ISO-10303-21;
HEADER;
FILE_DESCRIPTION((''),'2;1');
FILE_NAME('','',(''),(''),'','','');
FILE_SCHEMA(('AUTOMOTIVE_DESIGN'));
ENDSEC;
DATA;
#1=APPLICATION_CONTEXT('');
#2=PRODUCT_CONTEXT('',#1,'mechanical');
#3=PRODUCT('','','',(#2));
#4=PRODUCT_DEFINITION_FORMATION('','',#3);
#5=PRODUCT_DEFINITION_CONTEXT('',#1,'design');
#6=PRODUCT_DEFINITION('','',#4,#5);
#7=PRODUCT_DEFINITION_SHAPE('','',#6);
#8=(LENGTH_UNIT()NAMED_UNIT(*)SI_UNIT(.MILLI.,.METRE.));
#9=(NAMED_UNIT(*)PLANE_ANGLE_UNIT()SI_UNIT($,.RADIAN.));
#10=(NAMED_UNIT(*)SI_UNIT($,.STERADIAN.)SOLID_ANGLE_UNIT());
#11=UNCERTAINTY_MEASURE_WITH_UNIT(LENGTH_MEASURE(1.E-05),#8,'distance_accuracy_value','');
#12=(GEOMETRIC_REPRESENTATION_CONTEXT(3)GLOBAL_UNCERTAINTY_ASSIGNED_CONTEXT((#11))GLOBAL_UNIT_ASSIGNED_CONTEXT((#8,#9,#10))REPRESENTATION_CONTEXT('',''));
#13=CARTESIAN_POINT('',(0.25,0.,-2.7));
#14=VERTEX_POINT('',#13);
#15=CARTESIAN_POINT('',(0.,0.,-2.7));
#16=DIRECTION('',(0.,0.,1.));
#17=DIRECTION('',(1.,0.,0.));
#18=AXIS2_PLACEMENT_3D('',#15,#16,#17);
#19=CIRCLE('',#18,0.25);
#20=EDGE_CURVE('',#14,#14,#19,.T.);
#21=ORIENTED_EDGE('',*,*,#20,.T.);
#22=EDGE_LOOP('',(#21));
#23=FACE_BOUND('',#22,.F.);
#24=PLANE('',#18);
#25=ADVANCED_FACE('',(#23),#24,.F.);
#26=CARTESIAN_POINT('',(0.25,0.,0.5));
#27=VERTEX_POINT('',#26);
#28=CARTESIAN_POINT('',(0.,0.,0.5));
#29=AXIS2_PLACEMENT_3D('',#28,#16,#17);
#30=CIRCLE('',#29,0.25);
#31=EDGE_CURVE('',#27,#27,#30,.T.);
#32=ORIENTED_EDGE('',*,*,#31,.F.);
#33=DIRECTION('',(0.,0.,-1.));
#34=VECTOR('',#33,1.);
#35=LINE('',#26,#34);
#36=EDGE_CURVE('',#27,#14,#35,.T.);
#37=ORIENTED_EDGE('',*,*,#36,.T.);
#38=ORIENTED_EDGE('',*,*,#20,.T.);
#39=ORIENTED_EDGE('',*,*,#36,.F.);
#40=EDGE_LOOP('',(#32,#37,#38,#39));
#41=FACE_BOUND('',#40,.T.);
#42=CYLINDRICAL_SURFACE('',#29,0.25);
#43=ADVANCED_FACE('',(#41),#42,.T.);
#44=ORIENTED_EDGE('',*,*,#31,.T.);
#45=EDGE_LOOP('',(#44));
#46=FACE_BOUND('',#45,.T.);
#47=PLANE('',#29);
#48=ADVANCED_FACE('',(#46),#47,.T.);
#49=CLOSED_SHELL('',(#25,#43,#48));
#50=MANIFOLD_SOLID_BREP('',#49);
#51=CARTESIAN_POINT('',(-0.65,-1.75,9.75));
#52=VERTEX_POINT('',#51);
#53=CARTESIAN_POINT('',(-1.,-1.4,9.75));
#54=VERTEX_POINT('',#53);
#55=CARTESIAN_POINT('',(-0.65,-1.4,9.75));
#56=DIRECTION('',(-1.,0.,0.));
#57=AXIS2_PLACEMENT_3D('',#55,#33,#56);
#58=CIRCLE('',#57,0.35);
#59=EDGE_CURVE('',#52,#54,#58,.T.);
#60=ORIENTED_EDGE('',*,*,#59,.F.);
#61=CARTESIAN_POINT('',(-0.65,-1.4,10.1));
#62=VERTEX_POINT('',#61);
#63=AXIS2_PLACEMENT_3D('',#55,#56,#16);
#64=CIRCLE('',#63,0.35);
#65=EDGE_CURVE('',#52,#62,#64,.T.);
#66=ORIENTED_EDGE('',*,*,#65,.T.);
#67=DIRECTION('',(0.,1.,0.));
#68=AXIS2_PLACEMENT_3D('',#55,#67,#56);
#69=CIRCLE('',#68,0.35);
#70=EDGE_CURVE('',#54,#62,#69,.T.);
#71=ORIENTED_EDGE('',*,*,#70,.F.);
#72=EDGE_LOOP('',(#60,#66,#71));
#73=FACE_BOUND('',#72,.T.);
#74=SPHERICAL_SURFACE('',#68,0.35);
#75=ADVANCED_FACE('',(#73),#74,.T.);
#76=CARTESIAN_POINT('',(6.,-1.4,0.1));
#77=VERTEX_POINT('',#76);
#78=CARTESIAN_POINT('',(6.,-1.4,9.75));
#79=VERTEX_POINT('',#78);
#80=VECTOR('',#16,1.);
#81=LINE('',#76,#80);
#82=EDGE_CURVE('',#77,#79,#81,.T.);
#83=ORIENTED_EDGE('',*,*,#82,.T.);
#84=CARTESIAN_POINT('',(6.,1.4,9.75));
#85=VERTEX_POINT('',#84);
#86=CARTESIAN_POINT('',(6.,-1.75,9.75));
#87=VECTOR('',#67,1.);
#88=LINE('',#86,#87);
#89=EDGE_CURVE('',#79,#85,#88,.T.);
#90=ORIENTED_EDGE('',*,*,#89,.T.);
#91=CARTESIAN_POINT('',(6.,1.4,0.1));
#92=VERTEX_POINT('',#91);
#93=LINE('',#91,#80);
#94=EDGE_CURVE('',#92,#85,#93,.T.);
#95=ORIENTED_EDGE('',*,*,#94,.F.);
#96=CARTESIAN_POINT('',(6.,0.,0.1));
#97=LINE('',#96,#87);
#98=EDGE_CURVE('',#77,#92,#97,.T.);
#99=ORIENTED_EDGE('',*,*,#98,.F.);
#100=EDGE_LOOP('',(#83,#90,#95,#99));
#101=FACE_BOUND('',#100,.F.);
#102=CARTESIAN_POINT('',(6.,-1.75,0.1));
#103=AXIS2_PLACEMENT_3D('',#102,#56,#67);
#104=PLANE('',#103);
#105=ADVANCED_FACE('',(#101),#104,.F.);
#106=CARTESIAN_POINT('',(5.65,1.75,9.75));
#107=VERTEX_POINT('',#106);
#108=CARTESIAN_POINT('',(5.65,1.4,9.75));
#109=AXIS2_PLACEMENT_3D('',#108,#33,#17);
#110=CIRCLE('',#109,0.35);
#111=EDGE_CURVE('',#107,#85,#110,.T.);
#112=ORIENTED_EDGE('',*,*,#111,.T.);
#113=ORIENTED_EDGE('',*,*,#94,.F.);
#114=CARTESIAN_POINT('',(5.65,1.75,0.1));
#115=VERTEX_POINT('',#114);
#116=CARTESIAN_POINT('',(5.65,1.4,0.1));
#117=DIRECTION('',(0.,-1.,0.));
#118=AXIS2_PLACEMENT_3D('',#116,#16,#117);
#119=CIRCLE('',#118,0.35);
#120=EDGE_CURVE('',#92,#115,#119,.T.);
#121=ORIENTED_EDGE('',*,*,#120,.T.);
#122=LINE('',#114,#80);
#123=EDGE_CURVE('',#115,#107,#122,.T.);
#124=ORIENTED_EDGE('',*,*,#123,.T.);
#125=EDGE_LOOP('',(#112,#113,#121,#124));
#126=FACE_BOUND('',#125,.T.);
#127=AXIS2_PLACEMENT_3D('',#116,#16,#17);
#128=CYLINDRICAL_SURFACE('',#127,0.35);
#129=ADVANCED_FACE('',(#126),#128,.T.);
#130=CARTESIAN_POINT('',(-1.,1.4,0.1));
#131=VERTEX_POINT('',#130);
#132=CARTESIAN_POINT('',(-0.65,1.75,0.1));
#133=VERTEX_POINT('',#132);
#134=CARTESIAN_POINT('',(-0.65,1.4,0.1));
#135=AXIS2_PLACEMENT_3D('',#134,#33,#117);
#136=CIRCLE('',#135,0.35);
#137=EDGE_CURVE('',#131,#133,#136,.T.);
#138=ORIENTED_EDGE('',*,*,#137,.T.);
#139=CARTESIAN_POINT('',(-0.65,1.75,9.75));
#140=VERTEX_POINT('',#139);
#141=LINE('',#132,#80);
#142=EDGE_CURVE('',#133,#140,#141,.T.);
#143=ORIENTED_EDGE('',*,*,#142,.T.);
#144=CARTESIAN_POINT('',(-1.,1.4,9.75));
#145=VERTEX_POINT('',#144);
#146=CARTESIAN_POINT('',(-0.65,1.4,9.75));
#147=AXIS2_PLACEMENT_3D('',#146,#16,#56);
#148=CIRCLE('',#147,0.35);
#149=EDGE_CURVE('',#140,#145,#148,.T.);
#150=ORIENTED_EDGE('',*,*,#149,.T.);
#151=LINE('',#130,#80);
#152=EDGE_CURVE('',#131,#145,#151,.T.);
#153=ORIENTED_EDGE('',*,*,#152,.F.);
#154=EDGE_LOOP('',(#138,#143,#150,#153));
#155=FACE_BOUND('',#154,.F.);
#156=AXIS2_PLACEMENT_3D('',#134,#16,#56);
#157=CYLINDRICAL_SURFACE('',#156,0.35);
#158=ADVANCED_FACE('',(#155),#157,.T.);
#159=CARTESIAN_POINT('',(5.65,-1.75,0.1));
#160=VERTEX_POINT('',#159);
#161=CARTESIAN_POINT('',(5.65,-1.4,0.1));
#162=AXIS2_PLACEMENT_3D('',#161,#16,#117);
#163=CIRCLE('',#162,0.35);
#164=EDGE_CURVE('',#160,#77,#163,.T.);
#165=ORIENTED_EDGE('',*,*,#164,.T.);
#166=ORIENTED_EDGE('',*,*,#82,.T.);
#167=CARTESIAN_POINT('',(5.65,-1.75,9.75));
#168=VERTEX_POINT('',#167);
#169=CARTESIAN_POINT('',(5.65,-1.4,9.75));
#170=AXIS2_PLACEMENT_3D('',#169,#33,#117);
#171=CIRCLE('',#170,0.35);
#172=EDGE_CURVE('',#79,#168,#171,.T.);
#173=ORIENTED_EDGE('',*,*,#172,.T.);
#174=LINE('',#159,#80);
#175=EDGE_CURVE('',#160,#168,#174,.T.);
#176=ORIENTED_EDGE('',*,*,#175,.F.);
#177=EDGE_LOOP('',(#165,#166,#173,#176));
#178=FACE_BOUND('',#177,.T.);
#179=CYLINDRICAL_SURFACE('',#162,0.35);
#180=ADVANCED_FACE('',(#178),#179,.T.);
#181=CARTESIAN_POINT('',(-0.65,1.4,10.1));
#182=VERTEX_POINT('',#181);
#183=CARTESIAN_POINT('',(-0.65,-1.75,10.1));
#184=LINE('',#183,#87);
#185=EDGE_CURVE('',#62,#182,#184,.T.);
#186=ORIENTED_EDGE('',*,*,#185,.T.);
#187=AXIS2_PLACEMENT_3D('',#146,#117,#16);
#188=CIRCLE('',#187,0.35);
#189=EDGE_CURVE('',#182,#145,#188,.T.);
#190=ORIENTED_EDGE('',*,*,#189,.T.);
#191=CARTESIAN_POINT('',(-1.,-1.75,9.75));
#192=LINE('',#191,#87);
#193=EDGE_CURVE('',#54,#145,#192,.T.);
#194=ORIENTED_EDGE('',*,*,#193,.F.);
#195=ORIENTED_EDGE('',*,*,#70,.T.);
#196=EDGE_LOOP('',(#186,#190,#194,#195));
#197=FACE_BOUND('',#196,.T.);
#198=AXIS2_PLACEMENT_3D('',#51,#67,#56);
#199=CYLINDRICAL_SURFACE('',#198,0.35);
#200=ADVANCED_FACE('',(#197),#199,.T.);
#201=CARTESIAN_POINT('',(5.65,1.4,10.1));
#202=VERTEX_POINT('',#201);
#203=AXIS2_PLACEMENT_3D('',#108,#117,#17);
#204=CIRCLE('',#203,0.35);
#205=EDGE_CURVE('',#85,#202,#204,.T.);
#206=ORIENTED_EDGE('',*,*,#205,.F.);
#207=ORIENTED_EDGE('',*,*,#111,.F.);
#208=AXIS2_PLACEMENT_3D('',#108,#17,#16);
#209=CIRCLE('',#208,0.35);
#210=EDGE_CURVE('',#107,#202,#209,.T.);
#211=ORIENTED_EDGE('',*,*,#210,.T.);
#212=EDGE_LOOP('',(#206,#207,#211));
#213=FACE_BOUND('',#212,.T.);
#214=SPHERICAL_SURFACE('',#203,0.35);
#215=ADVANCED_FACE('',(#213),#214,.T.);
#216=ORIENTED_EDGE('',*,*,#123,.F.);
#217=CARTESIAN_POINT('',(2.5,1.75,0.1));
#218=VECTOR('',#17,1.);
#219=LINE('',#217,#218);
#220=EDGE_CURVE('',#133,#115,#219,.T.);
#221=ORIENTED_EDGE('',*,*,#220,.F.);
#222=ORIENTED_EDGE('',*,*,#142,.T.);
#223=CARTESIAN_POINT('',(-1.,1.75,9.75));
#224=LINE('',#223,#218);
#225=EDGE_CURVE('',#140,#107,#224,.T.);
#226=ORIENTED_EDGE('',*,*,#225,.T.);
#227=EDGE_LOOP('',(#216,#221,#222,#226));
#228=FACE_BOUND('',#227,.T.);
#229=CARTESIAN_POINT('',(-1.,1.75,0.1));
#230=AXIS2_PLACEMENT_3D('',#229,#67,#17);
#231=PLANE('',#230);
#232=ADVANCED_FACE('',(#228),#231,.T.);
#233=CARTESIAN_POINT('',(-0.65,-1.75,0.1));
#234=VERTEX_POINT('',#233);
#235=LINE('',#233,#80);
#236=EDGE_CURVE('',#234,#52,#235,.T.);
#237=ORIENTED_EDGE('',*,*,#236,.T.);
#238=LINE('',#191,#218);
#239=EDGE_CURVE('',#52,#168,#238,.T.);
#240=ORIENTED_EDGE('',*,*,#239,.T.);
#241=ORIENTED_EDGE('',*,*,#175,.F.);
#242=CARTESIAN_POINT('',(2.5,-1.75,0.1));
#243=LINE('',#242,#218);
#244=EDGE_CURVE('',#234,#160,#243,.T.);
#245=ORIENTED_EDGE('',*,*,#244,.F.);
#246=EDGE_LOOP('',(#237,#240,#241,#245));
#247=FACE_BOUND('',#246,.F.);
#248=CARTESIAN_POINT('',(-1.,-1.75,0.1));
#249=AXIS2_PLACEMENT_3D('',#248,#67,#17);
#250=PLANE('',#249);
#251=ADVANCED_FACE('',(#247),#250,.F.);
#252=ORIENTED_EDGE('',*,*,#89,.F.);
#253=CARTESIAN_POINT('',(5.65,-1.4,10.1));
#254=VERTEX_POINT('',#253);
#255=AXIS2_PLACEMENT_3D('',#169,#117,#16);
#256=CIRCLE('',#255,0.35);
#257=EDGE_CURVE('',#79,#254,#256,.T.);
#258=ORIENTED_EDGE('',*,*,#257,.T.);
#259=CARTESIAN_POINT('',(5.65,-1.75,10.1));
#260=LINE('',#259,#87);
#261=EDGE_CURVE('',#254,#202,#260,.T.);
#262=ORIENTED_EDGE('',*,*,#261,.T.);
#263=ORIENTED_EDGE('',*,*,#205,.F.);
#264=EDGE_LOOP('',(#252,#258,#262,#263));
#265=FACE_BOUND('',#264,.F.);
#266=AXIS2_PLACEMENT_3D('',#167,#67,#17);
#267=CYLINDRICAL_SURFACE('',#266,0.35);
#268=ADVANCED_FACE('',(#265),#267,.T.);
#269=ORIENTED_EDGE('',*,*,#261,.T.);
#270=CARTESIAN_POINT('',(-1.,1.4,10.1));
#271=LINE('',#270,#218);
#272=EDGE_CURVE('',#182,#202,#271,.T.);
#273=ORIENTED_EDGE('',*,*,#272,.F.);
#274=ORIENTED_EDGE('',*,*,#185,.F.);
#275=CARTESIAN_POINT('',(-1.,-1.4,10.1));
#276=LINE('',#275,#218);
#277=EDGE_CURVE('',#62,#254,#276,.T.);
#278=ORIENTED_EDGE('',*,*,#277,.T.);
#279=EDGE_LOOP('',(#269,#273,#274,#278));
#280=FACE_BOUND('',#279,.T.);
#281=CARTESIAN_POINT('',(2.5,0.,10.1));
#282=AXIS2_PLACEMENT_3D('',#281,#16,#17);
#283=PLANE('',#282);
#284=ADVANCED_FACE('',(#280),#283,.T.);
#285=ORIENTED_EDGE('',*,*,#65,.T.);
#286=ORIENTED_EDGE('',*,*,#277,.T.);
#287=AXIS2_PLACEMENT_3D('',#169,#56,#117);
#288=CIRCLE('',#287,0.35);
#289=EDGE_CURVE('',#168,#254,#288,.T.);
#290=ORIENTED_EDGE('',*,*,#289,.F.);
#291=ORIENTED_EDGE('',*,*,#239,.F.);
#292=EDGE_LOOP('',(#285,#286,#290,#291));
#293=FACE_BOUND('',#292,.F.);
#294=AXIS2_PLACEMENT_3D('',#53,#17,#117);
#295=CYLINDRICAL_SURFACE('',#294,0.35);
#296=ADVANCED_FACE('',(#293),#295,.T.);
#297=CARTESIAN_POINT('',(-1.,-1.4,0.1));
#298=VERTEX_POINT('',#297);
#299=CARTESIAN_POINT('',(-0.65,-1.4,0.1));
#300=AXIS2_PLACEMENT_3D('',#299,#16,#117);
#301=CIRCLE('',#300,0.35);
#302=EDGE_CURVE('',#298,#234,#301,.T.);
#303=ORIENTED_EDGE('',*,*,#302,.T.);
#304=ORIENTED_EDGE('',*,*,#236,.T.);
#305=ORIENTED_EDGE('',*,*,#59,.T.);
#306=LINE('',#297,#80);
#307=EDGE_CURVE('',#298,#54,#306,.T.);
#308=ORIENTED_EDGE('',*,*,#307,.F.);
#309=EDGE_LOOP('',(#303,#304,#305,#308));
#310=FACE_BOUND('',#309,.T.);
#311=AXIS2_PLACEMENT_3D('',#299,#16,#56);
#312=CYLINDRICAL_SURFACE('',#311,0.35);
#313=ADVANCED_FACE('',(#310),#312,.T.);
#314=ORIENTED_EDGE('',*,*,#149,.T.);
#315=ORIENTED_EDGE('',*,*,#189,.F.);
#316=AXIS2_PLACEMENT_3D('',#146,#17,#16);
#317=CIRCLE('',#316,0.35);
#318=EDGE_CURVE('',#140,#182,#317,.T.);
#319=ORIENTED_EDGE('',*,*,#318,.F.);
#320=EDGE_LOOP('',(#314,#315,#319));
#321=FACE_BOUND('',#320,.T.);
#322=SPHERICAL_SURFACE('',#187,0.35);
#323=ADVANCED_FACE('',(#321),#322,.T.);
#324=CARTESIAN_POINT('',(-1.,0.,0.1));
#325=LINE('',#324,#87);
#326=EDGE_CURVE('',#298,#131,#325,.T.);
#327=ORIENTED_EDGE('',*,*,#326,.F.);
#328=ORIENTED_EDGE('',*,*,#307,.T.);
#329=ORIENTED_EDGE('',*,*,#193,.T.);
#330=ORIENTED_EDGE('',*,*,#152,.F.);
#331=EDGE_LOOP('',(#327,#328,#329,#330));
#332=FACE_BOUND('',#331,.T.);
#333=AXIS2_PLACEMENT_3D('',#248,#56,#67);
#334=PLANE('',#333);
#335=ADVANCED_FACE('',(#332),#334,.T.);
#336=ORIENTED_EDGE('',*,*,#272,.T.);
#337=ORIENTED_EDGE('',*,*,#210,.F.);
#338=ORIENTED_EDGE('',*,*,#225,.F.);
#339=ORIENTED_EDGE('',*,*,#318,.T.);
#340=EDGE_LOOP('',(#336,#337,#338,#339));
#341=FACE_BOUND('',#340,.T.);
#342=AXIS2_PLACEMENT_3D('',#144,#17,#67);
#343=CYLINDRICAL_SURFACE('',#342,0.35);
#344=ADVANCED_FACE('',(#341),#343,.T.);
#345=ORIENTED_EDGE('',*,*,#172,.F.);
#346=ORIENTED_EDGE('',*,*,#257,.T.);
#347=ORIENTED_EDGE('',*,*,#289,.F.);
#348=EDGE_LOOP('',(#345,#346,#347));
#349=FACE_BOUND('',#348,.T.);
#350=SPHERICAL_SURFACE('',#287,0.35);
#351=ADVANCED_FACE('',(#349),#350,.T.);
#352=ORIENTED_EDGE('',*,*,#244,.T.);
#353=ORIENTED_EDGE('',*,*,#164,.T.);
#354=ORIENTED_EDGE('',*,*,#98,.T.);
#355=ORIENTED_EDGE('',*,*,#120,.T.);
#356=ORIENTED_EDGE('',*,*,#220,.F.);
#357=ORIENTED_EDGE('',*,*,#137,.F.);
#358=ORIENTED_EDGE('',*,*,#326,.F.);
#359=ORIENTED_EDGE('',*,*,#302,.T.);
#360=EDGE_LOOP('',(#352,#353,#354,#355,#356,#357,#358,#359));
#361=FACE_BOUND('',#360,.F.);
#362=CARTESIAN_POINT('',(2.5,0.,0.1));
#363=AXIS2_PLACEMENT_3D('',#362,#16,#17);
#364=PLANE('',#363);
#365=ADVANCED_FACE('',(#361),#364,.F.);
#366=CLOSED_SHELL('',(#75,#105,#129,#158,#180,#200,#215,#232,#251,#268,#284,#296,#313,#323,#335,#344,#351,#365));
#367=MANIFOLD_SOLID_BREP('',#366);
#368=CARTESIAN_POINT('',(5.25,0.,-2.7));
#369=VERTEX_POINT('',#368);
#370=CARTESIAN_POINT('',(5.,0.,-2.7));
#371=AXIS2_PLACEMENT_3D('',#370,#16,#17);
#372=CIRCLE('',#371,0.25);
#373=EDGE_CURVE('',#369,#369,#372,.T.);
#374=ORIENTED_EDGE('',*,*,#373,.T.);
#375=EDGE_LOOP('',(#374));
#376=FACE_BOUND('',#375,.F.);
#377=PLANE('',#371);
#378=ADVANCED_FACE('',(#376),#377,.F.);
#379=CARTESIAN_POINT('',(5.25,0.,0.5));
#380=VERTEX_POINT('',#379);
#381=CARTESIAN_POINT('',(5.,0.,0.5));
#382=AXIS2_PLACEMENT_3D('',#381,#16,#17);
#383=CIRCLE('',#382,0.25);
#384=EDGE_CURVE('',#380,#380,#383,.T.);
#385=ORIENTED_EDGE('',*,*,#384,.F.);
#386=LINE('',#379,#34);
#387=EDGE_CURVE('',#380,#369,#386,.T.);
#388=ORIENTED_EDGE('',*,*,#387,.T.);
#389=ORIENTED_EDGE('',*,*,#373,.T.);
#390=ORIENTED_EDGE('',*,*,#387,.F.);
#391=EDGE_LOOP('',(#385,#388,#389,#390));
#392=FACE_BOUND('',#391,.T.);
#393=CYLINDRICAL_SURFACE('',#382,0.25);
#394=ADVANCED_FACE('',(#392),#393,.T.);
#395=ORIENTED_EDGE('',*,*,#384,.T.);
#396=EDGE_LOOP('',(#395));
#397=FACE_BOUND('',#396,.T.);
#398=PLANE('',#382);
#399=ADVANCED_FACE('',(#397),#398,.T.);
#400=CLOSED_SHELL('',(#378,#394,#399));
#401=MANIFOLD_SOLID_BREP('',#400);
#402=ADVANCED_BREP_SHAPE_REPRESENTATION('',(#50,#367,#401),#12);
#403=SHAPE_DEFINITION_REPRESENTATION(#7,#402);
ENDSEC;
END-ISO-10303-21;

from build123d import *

# Parameters (mm, degrees)
SKETCH_W     = 7
SKETCH_H     = 3.5
PAD_DEPTH    = 10
FILLET_R     = 0.35
SKETCH001_R  = 0.25
PAD001_DEPTH = 3.2


with BuildPart() as fillet_body:
    # Sketch → Pad (new body)
    with BuildSketch(Plane.XY.offset(0.1)):
        with Locations((2.5, 0)):
            Rectangle(SKETCH_W, SKETCH_H)
    extrude(amount=PAD_DEPTH)

    # Fillet
    fillet_edges = [fillet_body.edges().sort_by_distance(p)[0] for p in [
        (-1, 0, 10.1),
        (-1, -1.75, 5.1),
        (2.5, -1.75, 10.1),
        (6, -1.75, 5.1),
        (6, 0, 10.1),
        (6, 1.75, 5.1),
        (2.5, 1.75, 10.1),
        (-1, 1.75, 5.1),
    ]]
    fillet(fillet_edges, radius=FILLET_R)


with BuildPart() as pad001:
    # Sketch001 → Pad001 (new body)
    with BuildSketch(Plane.XY.offset(0.5)):
        Circle(SKETCH001_R)
        with Locations((5, 0)):
            Circle(SKETCH001_R)
    extrude(amount=-PAD001_DEPTH)


solid = Compound([fillet_body.part, pad001.part])
